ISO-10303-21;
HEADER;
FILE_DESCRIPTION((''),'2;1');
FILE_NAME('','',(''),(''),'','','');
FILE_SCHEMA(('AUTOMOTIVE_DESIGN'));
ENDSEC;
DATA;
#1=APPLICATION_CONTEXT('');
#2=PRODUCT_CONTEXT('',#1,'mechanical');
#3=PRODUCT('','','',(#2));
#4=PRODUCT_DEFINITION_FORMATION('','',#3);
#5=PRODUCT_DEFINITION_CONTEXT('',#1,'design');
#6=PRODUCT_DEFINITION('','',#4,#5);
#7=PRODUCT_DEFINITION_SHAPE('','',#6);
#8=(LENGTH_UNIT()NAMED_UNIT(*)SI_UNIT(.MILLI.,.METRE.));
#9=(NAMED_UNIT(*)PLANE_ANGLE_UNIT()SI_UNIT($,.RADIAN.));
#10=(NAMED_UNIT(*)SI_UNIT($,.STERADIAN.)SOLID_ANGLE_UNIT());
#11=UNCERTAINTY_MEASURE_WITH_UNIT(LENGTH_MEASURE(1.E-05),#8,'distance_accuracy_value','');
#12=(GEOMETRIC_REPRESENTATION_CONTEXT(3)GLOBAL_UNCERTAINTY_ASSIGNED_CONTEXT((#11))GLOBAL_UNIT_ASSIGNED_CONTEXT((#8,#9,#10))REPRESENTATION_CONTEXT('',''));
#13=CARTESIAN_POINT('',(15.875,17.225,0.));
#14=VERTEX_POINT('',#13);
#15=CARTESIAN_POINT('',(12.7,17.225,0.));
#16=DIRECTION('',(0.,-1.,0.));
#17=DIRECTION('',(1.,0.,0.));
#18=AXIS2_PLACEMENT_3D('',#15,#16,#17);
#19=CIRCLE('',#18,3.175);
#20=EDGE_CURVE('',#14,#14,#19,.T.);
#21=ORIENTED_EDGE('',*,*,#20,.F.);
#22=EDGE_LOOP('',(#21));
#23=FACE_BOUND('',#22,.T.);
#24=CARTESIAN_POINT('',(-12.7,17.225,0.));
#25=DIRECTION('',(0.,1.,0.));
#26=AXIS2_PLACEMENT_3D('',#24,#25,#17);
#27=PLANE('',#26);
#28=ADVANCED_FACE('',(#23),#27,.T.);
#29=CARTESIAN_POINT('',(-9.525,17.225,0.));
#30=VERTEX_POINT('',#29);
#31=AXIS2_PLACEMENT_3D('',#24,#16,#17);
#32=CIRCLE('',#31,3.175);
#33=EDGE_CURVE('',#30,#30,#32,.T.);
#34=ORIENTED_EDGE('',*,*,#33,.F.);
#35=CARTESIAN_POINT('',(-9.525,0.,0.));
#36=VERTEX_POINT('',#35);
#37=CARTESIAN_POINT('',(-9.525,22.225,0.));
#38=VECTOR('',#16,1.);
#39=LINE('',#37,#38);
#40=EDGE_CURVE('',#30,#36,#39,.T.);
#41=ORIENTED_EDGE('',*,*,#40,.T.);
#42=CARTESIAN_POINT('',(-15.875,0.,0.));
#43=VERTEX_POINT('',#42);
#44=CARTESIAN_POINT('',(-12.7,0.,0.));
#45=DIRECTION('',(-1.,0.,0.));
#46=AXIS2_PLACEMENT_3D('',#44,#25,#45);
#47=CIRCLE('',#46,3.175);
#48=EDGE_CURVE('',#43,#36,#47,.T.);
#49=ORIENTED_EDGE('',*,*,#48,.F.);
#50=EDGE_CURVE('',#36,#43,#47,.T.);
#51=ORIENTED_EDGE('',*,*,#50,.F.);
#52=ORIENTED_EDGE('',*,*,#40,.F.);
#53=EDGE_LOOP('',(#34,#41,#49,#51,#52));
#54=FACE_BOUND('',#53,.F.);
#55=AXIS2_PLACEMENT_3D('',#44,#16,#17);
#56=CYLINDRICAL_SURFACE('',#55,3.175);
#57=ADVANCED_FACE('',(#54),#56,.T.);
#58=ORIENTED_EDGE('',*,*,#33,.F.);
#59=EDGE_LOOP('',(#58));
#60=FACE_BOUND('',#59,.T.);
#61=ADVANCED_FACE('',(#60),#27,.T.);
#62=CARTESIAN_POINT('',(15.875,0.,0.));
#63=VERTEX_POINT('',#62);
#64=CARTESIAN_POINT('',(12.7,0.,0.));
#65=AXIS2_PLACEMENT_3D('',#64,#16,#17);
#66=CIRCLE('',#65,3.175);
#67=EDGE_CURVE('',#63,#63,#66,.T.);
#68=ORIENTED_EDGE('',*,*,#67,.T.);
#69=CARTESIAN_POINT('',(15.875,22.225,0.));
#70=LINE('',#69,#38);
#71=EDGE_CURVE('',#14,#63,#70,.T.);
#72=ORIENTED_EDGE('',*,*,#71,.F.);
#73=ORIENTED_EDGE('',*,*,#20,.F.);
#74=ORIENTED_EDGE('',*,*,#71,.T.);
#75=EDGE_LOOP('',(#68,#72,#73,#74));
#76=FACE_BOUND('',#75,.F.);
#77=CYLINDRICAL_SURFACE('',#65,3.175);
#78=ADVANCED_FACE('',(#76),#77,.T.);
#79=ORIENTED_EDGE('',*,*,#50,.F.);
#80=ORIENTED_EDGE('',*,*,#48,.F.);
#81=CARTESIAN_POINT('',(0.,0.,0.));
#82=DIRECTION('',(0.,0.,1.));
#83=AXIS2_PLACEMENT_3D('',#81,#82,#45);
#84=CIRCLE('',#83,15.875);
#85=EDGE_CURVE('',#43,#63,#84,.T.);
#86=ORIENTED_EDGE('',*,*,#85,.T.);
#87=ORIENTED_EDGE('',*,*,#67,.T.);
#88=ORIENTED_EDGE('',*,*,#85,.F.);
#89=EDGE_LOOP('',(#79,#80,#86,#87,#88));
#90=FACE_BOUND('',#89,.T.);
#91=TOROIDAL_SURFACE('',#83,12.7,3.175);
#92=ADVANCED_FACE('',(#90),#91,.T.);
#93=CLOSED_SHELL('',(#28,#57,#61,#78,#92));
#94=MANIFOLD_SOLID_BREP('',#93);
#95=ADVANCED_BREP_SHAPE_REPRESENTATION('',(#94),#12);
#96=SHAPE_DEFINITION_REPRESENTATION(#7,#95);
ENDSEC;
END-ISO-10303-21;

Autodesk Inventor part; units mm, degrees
ref_plane "YZ Plane" through (0, 0, 0) normal (1, 0, 0) x (0, 1, 0)
ref_plane "XZ Plane" through (0, 0, 0) normal (0, 1, 0) x (-1, 0, 0)
ref_plane "XY Plane" through (0, 0, 0) normal (0, 0, 1) x (1, 0, 0)
sketch "Sketch1" plane through (0, 0, 0) normal (0, 1, 0) x (-1, 0, 0)
  circle A0 centre (12.7, 0) radius 3.175
  line L0 (0, -4.445) -> (0, 4.445) projected
  point P0 (0, 0)
  dimension "d0" = 12.7
  dimension "d1" = 6.35
revolve "Revolution1" add sketch "Sketch1" angle 180 about axis through (0, 0, -10) along (0, 0, 1)
sketch "Sketch2" plane through (-12.7, 0, 0) normal (0, 1, 0) x (1, 0, 0)
  circle A0 centre (0, 0) radius 3.175 projected
  circle A1 centre (25.4, 0) radius 3.175 projected
  point P0 (12.7, 0)
extrude "Extrusion1" add sketch "Sketch2" along normal blind 6.35
sketch "Sketch3" plane through (-12.7, 6.35, 0) normal (0, 1, 0) x (1, 0, 0)
  circle A0 centre (0, 0) radius 3.175 projected
  circle A1 centre (25.4, 0) radius 3.175 projected
  point P0 (12.7, 0)
extrude "Extrusion2" add sketch "Sketch3" along normal blind 15.875
thread "Thread1" size "1/4-20 UNC" class "2A" standard "ANSI Unified Screw Threads" length 15.875
thread "Thread2" size "1/4-20 UNC" class "2A" standard "ANSI Unified Screw Threads" length 15.875
sketch "Sketch4" plane through (-12.7, 22.225, 0) normal (0, 1, 0) x (1, 0, 0)
  line L0 (-3.2033, 0) -> (28.6033, 0) construction
  line L1 (-3.2033, -3.175) -> (28.6033, -3.175)
  line L2 (28.6033, 3.175) -> (-3.2033, 3.175)
  arc A0 (-3.2033, 3.175) -> (-3.2033, -3.175) centre (-3.2033, 0) ccw
  arc A1 (28.6033, -3.175) -> (28.6033, 3.175) centre (28.6033, 0) ccw
  point P0 (12.7, 0)
extrude "Extrusion3" cut sketch "Sketch4" against normal blind 5
properties part number "19mm ID UBOLT" material "Stainless Steel, 440C"
